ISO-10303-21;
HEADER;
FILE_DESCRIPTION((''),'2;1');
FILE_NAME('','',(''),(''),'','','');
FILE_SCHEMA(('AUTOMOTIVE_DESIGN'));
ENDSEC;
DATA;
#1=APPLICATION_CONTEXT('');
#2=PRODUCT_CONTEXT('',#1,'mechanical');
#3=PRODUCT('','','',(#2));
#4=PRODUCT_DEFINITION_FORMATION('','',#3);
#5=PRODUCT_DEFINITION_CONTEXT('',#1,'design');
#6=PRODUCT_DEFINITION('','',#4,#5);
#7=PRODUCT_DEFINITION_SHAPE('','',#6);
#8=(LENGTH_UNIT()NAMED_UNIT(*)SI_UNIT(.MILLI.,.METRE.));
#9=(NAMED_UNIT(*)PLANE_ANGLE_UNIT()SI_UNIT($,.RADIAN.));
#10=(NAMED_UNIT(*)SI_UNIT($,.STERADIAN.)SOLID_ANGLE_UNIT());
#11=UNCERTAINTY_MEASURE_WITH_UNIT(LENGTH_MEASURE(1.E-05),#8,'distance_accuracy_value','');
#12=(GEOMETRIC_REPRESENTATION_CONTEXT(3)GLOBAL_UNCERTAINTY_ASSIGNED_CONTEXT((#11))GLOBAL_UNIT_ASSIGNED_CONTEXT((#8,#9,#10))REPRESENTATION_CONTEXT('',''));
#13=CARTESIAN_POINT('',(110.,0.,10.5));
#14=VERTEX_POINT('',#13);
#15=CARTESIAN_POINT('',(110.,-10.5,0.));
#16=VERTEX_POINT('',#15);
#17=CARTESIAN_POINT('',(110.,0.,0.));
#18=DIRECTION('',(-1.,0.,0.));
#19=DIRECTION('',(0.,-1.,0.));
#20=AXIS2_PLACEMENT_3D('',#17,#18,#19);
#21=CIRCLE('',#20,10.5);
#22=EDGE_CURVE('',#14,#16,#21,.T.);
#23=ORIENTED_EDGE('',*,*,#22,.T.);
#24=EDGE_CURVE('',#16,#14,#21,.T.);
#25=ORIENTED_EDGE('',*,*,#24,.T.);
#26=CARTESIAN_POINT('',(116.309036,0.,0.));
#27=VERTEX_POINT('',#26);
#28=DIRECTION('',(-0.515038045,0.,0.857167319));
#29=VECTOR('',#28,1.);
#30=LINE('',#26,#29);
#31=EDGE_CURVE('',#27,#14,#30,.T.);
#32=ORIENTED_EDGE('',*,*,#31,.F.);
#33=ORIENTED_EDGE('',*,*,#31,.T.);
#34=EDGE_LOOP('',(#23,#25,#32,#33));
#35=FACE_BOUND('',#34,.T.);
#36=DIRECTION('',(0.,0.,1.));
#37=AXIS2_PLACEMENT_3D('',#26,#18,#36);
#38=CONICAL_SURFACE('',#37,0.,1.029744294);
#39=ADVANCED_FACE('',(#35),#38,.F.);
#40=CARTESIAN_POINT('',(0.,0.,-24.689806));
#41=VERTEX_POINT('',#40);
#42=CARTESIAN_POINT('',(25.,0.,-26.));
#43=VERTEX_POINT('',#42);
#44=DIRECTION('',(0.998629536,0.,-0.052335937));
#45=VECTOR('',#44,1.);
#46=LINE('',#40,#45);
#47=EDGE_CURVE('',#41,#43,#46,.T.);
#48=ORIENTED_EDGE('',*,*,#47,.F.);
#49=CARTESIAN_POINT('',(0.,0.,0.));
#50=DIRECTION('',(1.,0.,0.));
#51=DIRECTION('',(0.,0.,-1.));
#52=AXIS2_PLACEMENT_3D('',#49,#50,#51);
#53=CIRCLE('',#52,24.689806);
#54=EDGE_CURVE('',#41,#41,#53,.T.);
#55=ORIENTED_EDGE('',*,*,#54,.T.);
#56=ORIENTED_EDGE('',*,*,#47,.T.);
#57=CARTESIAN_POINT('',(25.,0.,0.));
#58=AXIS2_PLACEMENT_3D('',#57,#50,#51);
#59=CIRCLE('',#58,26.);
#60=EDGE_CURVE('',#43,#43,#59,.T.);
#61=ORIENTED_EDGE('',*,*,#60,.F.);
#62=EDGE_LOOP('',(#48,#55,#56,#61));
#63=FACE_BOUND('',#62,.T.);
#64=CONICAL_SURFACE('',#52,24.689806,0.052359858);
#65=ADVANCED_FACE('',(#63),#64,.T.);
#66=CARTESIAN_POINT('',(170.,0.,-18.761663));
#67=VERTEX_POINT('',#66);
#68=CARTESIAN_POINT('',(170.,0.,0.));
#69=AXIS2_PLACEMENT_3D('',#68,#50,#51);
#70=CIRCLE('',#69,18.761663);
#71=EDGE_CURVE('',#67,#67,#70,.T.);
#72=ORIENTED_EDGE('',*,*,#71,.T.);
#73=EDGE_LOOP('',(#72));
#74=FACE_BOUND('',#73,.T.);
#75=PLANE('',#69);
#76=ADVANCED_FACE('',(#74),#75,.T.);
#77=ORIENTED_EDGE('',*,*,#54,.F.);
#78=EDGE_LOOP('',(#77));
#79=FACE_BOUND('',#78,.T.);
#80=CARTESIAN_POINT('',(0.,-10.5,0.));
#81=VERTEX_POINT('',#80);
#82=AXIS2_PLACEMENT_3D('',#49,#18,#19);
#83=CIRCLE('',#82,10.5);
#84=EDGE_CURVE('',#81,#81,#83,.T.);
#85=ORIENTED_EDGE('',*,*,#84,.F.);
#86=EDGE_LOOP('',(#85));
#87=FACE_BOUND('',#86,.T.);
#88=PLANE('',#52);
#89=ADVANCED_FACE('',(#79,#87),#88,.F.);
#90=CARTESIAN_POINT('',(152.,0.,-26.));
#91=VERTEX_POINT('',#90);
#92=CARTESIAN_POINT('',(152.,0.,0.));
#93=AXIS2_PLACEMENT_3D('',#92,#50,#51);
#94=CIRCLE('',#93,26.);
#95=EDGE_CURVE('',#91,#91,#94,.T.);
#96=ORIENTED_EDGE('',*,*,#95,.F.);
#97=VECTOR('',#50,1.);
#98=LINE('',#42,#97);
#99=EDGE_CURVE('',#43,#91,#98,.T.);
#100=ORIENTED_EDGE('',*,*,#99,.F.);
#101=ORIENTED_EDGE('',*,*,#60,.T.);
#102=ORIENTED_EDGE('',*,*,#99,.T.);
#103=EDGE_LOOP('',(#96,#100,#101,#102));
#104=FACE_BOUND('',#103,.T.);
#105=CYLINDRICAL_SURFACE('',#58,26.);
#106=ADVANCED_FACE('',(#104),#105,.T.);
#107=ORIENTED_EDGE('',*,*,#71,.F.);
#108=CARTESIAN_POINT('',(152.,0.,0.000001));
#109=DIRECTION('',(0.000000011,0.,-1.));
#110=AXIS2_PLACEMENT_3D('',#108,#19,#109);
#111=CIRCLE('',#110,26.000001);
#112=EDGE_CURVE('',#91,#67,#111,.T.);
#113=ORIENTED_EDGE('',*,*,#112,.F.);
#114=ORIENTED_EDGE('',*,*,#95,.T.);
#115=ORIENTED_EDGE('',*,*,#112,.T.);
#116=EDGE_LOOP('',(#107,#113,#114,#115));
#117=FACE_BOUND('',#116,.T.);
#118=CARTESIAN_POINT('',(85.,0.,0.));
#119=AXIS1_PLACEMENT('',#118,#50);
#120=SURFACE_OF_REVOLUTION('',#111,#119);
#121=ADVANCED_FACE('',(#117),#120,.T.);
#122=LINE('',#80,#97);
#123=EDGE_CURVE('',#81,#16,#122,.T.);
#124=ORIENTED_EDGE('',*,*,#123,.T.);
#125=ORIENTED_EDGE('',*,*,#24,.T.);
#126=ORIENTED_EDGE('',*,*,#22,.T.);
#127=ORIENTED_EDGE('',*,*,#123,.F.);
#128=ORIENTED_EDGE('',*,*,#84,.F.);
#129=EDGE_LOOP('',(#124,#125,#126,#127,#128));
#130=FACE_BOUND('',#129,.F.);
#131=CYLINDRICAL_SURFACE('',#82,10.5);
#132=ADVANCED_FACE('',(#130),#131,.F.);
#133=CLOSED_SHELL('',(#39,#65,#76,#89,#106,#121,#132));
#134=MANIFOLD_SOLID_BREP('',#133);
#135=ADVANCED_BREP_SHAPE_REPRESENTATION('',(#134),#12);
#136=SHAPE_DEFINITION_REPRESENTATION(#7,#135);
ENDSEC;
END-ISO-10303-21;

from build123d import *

# Parameters (mm, degrees)
F2_R     = 10.5
F3_DEPTH = 110


with BuildPart() as f1:
    # F0 (on Front) → F1 (revolve)
    with BuildSketch(Plane.XZ):
        with BuildLine():
            Line((170, 0), (0, 0))
            Line((0, 0), (0, -24.689806))
            Line((0, -24.689806), (25, -26))
            Line((25, -26), (152, -26))
            ThreePointArc((152, -26), (161.700432, -24.122637), (170, -18.761663))
            Line((170, -18.761663), (170, 0))
        make_face()
    revolve(axis=Axis((85, 0, 0), (1, 0, 0)))

    # F2 (on face) → F3 (cut)
    with BuildSketch(Plane(origin=(0, 0, 0), x_dir=(0, -1, 0), z_dir=(-1, 0, 0))):
        Circle(F2_R)
    extrude(amount=-F3_DEPTH, mode=Mode.SUBTRACT)

    # F4 (on Front) → F5 (revolve, cut)
    with BuildSketch(Plane.XZ):
        Polygon((110, 0), (116.309036, 0), (110, 10.5), align=None)
    revolve(axis=Axis((113.154518, 0, 0), (1, 0, 0)), mode=Mode.SUBTRACT)


solid = f1.part
